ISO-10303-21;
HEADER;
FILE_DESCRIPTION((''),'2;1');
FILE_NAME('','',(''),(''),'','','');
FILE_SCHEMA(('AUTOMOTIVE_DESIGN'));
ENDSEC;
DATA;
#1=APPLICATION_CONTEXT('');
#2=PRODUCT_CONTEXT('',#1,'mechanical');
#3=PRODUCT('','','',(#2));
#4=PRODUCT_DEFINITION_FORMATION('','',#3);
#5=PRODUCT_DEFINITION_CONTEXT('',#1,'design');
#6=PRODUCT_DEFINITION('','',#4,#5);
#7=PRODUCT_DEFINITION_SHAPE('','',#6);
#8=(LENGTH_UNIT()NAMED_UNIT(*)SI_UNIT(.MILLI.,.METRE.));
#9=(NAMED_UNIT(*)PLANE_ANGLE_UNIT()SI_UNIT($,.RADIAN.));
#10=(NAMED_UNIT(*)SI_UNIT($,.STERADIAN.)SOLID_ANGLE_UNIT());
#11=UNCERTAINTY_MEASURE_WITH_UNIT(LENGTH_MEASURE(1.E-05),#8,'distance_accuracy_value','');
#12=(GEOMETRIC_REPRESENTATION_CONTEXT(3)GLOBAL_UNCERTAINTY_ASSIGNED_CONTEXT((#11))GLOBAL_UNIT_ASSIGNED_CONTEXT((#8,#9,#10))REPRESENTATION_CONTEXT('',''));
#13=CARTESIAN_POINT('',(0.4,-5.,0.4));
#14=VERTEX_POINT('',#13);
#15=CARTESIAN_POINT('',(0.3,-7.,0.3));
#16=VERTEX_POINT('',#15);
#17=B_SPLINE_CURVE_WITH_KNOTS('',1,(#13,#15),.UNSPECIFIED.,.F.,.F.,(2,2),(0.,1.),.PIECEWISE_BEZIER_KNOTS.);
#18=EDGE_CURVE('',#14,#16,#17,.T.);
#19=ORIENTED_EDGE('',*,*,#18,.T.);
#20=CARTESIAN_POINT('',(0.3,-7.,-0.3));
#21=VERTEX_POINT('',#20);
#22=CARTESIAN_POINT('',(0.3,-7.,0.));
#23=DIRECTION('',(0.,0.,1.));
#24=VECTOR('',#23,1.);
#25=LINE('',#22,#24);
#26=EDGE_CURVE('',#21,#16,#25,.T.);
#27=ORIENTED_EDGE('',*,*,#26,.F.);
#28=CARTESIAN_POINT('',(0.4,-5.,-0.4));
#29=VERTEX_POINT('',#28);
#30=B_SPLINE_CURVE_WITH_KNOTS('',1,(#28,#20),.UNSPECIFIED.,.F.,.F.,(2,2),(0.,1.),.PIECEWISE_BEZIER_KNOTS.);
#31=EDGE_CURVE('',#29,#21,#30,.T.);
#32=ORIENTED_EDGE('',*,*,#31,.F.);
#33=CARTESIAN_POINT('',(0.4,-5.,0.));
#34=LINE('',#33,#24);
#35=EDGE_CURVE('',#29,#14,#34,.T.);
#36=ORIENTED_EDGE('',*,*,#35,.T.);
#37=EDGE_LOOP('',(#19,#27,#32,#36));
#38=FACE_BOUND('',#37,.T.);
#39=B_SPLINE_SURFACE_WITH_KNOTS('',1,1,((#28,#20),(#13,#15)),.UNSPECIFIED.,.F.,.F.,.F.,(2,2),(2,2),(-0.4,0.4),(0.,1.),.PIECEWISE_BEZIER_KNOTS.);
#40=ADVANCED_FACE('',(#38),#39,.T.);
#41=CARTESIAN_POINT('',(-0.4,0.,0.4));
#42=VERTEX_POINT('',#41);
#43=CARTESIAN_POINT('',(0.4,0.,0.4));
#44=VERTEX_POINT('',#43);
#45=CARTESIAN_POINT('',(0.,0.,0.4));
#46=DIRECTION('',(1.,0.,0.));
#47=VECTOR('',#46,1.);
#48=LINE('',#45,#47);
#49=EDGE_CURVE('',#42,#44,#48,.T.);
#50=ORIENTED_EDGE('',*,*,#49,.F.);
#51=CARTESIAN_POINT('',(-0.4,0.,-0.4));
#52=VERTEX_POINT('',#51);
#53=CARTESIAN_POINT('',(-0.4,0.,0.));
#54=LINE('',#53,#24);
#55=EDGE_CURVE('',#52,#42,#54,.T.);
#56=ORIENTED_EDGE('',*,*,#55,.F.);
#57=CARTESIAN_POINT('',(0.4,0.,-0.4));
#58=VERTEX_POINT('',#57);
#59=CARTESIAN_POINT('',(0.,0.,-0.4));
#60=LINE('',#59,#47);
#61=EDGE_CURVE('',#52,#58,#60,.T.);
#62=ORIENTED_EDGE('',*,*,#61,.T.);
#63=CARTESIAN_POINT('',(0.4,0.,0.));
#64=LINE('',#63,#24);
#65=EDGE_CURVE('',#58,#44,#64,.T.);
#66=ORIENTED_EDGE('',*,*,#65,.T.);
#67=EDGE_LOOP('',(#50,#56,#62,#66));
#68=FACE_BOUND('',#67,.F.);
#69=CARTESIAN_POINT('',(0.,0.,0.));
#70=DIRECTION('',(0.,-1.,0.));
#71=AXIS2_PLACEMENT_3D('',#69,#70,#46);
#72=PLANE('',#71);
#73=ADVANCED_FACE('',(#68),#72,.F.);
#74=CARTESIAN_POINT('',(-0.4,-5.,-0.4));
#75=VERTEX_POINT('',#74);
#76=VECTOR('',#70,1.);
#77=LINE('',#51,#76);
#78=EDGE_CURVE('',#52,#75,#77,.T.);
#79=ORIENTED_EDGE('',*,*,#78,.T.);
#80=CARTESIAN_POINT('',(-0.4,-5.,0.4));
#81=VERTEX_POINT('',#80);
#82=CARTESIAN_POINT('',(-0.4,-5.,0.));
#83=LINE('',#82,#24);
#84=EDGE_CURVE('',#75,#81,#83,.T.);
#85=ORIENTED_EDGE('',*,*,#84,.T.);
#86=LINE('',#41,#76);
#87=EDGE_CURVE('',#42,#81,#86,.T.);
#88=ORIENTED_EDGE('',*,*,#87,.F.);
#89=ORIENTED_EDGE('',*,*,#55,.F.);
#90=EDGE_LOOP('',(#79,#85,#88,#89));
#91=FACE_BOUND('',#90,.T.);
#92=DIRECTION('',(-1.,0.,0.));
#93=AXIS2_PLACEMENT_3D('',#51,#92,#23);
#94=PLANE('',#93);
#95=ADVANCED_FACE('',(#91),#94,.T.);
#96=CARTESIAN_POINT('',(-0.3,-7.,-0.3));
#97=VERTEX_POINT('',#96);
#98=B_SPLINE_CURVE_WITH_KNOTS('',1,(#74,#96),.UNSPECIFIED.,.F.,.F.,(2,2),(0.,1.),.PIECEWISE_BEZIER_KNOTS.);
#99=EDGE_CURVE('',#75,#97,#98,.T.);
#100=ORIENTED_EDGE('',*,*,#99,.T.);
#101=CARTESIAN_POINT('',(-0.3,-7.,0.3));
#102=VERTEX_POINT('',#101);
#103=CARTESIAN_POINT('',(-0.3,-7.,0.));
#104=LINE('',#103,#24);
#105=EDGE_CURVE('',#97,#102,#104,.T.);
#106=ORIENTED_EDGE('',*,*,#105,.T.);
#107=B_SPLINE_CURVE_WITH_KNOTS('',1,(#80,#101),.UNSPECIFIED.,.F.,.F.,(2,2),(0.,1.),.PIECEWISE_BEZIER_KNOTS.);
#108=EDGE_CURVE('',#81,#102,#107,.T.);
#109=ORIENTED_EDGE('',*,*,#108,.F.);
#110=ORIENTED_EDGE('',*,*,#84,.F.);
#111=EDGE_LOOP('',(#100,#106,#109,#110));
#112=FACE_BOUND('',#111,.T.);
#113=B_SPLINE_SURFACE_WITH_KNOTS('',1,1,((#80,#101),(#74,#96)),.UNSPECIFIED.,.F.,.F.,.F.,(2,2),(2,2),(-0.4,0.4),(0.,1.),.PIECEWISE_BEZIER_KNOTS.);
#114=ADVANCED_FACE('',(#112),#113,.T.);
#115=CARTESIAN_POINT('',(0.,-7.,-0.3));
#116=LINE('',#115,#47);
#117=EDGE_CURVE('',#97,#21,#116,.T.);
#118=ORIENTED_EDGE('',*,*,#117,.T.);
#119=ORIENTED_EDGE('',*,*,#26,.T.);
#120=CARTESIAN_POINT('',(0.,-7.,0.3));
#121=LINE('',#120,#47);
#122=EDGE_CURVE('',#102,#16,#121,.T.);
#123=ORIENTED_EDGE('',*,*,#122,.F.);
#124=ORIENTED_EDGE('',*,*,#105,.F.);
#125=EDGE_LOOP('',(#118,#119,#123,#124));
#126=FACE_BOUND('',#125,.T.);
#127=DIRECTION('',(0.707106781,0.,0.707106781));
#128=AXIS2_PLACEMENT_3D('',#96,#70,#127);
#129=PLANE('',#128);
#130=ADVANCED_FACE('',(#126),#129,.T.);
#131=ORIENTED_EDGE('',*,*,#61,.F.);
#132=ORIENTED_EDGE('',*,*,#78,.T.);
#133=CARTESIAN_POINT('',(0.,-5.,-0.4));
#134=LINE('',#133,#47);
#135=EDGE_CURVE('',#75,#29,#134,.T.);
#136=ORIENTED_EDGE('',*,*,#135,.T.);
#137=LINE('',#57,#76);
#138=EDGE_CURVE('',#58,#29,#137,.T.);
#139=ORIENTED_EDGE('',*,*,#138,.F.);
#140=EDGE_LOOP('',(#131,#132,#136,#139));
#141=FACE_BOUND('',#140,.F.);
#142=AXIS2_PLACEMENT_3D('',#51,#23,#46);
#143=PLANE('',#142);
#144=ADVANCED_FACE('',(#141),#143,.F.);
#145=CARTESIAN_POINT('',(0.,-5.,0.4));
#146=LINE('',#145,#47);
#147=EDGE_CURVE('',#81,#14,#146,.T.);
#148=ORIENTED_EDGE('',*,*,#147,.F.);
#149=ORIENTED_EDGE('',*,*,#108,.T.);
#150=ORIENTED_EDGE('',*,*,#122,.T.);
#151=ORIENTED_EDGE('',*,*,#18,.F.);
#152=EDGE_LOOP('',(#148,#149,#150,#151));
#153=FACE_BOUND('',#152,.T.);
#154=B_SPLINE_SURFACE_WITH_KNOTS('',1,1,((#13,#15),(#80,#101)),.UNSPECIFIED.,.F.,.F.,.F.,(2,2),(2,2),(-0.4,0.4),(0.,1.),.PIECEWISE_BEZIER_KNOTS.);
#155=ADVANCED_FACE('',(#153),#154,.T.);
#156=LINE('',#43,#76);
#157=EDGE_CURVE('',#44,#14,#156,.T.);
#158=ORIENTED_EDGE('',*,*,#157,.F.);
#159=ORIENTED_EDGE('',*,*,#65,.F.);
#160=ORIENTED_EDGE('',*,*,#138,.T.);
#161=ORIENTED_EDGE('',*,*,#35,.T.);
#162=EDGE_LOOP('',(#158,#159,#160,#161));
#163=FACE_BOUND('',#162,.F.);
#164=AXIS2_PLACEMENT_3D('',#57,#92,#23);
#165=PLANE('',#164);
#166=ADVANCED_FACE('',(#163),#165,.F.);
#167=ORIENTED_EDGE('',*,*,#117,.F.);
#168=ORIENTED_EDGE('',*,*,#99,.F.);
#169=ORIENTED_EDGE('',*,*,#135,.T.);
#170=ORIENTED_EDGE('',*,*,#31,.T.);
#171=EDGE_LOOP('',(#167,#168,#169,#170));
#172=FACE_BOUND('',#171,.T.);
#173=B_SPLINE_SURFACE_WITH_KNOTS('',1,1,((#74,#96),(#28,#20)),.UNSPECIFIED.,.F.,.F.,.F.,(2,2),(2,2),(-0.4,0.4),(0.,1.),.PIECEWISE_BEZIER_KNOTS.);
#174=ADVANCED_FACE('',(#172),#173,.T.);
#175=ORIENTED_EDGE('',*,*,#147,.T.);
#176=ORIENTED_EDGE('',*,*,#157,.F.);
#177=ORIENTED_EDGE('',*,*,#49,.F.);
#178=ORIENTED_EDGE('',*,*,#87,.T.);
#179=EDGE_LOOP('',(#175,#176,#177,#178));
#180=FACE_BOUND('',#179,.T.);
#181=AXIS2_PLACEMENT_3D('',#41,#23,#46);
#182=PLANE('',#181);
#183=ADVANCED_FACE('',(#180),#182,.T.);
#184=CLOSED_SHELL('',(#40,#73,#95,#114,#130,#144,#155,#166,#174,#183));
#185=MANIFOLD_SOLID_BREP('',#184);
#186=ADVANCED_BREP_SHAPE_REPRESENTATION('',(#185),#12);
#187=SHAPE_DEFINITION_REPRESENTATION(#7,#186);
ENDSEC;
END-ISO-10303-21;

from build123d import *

# Parameters (mm, degrees)
F0_W      = 0.8
F0_H      = 0.8
F1_DEPTH  = 5
F1_FACE_W = 0.8
F1_FACE_H = 0.8
F3_W      = 0.6
F3_H      = 0.6


with BuildPart() as f1:
    # F0 (on Front) → F1 (new body)
    with BuildSketch(Plane.XZ):
        Rectangle(F0_W, F0_H)
    extrude(amount=F1_DEPTH)

    # F1_face (on face) → F4 section 0
    with BuildSketch(Plane.XZ.offset(5)):
        Rectangle(F1_FACE_W, F1_FACE_H)
    # F3 (on offset) → F4 section 1
    with BuildSketch(Plane.XZ.offset(7)):
        Rectangle(F3_W, F3_H)
    loft()


solid = f1.part
